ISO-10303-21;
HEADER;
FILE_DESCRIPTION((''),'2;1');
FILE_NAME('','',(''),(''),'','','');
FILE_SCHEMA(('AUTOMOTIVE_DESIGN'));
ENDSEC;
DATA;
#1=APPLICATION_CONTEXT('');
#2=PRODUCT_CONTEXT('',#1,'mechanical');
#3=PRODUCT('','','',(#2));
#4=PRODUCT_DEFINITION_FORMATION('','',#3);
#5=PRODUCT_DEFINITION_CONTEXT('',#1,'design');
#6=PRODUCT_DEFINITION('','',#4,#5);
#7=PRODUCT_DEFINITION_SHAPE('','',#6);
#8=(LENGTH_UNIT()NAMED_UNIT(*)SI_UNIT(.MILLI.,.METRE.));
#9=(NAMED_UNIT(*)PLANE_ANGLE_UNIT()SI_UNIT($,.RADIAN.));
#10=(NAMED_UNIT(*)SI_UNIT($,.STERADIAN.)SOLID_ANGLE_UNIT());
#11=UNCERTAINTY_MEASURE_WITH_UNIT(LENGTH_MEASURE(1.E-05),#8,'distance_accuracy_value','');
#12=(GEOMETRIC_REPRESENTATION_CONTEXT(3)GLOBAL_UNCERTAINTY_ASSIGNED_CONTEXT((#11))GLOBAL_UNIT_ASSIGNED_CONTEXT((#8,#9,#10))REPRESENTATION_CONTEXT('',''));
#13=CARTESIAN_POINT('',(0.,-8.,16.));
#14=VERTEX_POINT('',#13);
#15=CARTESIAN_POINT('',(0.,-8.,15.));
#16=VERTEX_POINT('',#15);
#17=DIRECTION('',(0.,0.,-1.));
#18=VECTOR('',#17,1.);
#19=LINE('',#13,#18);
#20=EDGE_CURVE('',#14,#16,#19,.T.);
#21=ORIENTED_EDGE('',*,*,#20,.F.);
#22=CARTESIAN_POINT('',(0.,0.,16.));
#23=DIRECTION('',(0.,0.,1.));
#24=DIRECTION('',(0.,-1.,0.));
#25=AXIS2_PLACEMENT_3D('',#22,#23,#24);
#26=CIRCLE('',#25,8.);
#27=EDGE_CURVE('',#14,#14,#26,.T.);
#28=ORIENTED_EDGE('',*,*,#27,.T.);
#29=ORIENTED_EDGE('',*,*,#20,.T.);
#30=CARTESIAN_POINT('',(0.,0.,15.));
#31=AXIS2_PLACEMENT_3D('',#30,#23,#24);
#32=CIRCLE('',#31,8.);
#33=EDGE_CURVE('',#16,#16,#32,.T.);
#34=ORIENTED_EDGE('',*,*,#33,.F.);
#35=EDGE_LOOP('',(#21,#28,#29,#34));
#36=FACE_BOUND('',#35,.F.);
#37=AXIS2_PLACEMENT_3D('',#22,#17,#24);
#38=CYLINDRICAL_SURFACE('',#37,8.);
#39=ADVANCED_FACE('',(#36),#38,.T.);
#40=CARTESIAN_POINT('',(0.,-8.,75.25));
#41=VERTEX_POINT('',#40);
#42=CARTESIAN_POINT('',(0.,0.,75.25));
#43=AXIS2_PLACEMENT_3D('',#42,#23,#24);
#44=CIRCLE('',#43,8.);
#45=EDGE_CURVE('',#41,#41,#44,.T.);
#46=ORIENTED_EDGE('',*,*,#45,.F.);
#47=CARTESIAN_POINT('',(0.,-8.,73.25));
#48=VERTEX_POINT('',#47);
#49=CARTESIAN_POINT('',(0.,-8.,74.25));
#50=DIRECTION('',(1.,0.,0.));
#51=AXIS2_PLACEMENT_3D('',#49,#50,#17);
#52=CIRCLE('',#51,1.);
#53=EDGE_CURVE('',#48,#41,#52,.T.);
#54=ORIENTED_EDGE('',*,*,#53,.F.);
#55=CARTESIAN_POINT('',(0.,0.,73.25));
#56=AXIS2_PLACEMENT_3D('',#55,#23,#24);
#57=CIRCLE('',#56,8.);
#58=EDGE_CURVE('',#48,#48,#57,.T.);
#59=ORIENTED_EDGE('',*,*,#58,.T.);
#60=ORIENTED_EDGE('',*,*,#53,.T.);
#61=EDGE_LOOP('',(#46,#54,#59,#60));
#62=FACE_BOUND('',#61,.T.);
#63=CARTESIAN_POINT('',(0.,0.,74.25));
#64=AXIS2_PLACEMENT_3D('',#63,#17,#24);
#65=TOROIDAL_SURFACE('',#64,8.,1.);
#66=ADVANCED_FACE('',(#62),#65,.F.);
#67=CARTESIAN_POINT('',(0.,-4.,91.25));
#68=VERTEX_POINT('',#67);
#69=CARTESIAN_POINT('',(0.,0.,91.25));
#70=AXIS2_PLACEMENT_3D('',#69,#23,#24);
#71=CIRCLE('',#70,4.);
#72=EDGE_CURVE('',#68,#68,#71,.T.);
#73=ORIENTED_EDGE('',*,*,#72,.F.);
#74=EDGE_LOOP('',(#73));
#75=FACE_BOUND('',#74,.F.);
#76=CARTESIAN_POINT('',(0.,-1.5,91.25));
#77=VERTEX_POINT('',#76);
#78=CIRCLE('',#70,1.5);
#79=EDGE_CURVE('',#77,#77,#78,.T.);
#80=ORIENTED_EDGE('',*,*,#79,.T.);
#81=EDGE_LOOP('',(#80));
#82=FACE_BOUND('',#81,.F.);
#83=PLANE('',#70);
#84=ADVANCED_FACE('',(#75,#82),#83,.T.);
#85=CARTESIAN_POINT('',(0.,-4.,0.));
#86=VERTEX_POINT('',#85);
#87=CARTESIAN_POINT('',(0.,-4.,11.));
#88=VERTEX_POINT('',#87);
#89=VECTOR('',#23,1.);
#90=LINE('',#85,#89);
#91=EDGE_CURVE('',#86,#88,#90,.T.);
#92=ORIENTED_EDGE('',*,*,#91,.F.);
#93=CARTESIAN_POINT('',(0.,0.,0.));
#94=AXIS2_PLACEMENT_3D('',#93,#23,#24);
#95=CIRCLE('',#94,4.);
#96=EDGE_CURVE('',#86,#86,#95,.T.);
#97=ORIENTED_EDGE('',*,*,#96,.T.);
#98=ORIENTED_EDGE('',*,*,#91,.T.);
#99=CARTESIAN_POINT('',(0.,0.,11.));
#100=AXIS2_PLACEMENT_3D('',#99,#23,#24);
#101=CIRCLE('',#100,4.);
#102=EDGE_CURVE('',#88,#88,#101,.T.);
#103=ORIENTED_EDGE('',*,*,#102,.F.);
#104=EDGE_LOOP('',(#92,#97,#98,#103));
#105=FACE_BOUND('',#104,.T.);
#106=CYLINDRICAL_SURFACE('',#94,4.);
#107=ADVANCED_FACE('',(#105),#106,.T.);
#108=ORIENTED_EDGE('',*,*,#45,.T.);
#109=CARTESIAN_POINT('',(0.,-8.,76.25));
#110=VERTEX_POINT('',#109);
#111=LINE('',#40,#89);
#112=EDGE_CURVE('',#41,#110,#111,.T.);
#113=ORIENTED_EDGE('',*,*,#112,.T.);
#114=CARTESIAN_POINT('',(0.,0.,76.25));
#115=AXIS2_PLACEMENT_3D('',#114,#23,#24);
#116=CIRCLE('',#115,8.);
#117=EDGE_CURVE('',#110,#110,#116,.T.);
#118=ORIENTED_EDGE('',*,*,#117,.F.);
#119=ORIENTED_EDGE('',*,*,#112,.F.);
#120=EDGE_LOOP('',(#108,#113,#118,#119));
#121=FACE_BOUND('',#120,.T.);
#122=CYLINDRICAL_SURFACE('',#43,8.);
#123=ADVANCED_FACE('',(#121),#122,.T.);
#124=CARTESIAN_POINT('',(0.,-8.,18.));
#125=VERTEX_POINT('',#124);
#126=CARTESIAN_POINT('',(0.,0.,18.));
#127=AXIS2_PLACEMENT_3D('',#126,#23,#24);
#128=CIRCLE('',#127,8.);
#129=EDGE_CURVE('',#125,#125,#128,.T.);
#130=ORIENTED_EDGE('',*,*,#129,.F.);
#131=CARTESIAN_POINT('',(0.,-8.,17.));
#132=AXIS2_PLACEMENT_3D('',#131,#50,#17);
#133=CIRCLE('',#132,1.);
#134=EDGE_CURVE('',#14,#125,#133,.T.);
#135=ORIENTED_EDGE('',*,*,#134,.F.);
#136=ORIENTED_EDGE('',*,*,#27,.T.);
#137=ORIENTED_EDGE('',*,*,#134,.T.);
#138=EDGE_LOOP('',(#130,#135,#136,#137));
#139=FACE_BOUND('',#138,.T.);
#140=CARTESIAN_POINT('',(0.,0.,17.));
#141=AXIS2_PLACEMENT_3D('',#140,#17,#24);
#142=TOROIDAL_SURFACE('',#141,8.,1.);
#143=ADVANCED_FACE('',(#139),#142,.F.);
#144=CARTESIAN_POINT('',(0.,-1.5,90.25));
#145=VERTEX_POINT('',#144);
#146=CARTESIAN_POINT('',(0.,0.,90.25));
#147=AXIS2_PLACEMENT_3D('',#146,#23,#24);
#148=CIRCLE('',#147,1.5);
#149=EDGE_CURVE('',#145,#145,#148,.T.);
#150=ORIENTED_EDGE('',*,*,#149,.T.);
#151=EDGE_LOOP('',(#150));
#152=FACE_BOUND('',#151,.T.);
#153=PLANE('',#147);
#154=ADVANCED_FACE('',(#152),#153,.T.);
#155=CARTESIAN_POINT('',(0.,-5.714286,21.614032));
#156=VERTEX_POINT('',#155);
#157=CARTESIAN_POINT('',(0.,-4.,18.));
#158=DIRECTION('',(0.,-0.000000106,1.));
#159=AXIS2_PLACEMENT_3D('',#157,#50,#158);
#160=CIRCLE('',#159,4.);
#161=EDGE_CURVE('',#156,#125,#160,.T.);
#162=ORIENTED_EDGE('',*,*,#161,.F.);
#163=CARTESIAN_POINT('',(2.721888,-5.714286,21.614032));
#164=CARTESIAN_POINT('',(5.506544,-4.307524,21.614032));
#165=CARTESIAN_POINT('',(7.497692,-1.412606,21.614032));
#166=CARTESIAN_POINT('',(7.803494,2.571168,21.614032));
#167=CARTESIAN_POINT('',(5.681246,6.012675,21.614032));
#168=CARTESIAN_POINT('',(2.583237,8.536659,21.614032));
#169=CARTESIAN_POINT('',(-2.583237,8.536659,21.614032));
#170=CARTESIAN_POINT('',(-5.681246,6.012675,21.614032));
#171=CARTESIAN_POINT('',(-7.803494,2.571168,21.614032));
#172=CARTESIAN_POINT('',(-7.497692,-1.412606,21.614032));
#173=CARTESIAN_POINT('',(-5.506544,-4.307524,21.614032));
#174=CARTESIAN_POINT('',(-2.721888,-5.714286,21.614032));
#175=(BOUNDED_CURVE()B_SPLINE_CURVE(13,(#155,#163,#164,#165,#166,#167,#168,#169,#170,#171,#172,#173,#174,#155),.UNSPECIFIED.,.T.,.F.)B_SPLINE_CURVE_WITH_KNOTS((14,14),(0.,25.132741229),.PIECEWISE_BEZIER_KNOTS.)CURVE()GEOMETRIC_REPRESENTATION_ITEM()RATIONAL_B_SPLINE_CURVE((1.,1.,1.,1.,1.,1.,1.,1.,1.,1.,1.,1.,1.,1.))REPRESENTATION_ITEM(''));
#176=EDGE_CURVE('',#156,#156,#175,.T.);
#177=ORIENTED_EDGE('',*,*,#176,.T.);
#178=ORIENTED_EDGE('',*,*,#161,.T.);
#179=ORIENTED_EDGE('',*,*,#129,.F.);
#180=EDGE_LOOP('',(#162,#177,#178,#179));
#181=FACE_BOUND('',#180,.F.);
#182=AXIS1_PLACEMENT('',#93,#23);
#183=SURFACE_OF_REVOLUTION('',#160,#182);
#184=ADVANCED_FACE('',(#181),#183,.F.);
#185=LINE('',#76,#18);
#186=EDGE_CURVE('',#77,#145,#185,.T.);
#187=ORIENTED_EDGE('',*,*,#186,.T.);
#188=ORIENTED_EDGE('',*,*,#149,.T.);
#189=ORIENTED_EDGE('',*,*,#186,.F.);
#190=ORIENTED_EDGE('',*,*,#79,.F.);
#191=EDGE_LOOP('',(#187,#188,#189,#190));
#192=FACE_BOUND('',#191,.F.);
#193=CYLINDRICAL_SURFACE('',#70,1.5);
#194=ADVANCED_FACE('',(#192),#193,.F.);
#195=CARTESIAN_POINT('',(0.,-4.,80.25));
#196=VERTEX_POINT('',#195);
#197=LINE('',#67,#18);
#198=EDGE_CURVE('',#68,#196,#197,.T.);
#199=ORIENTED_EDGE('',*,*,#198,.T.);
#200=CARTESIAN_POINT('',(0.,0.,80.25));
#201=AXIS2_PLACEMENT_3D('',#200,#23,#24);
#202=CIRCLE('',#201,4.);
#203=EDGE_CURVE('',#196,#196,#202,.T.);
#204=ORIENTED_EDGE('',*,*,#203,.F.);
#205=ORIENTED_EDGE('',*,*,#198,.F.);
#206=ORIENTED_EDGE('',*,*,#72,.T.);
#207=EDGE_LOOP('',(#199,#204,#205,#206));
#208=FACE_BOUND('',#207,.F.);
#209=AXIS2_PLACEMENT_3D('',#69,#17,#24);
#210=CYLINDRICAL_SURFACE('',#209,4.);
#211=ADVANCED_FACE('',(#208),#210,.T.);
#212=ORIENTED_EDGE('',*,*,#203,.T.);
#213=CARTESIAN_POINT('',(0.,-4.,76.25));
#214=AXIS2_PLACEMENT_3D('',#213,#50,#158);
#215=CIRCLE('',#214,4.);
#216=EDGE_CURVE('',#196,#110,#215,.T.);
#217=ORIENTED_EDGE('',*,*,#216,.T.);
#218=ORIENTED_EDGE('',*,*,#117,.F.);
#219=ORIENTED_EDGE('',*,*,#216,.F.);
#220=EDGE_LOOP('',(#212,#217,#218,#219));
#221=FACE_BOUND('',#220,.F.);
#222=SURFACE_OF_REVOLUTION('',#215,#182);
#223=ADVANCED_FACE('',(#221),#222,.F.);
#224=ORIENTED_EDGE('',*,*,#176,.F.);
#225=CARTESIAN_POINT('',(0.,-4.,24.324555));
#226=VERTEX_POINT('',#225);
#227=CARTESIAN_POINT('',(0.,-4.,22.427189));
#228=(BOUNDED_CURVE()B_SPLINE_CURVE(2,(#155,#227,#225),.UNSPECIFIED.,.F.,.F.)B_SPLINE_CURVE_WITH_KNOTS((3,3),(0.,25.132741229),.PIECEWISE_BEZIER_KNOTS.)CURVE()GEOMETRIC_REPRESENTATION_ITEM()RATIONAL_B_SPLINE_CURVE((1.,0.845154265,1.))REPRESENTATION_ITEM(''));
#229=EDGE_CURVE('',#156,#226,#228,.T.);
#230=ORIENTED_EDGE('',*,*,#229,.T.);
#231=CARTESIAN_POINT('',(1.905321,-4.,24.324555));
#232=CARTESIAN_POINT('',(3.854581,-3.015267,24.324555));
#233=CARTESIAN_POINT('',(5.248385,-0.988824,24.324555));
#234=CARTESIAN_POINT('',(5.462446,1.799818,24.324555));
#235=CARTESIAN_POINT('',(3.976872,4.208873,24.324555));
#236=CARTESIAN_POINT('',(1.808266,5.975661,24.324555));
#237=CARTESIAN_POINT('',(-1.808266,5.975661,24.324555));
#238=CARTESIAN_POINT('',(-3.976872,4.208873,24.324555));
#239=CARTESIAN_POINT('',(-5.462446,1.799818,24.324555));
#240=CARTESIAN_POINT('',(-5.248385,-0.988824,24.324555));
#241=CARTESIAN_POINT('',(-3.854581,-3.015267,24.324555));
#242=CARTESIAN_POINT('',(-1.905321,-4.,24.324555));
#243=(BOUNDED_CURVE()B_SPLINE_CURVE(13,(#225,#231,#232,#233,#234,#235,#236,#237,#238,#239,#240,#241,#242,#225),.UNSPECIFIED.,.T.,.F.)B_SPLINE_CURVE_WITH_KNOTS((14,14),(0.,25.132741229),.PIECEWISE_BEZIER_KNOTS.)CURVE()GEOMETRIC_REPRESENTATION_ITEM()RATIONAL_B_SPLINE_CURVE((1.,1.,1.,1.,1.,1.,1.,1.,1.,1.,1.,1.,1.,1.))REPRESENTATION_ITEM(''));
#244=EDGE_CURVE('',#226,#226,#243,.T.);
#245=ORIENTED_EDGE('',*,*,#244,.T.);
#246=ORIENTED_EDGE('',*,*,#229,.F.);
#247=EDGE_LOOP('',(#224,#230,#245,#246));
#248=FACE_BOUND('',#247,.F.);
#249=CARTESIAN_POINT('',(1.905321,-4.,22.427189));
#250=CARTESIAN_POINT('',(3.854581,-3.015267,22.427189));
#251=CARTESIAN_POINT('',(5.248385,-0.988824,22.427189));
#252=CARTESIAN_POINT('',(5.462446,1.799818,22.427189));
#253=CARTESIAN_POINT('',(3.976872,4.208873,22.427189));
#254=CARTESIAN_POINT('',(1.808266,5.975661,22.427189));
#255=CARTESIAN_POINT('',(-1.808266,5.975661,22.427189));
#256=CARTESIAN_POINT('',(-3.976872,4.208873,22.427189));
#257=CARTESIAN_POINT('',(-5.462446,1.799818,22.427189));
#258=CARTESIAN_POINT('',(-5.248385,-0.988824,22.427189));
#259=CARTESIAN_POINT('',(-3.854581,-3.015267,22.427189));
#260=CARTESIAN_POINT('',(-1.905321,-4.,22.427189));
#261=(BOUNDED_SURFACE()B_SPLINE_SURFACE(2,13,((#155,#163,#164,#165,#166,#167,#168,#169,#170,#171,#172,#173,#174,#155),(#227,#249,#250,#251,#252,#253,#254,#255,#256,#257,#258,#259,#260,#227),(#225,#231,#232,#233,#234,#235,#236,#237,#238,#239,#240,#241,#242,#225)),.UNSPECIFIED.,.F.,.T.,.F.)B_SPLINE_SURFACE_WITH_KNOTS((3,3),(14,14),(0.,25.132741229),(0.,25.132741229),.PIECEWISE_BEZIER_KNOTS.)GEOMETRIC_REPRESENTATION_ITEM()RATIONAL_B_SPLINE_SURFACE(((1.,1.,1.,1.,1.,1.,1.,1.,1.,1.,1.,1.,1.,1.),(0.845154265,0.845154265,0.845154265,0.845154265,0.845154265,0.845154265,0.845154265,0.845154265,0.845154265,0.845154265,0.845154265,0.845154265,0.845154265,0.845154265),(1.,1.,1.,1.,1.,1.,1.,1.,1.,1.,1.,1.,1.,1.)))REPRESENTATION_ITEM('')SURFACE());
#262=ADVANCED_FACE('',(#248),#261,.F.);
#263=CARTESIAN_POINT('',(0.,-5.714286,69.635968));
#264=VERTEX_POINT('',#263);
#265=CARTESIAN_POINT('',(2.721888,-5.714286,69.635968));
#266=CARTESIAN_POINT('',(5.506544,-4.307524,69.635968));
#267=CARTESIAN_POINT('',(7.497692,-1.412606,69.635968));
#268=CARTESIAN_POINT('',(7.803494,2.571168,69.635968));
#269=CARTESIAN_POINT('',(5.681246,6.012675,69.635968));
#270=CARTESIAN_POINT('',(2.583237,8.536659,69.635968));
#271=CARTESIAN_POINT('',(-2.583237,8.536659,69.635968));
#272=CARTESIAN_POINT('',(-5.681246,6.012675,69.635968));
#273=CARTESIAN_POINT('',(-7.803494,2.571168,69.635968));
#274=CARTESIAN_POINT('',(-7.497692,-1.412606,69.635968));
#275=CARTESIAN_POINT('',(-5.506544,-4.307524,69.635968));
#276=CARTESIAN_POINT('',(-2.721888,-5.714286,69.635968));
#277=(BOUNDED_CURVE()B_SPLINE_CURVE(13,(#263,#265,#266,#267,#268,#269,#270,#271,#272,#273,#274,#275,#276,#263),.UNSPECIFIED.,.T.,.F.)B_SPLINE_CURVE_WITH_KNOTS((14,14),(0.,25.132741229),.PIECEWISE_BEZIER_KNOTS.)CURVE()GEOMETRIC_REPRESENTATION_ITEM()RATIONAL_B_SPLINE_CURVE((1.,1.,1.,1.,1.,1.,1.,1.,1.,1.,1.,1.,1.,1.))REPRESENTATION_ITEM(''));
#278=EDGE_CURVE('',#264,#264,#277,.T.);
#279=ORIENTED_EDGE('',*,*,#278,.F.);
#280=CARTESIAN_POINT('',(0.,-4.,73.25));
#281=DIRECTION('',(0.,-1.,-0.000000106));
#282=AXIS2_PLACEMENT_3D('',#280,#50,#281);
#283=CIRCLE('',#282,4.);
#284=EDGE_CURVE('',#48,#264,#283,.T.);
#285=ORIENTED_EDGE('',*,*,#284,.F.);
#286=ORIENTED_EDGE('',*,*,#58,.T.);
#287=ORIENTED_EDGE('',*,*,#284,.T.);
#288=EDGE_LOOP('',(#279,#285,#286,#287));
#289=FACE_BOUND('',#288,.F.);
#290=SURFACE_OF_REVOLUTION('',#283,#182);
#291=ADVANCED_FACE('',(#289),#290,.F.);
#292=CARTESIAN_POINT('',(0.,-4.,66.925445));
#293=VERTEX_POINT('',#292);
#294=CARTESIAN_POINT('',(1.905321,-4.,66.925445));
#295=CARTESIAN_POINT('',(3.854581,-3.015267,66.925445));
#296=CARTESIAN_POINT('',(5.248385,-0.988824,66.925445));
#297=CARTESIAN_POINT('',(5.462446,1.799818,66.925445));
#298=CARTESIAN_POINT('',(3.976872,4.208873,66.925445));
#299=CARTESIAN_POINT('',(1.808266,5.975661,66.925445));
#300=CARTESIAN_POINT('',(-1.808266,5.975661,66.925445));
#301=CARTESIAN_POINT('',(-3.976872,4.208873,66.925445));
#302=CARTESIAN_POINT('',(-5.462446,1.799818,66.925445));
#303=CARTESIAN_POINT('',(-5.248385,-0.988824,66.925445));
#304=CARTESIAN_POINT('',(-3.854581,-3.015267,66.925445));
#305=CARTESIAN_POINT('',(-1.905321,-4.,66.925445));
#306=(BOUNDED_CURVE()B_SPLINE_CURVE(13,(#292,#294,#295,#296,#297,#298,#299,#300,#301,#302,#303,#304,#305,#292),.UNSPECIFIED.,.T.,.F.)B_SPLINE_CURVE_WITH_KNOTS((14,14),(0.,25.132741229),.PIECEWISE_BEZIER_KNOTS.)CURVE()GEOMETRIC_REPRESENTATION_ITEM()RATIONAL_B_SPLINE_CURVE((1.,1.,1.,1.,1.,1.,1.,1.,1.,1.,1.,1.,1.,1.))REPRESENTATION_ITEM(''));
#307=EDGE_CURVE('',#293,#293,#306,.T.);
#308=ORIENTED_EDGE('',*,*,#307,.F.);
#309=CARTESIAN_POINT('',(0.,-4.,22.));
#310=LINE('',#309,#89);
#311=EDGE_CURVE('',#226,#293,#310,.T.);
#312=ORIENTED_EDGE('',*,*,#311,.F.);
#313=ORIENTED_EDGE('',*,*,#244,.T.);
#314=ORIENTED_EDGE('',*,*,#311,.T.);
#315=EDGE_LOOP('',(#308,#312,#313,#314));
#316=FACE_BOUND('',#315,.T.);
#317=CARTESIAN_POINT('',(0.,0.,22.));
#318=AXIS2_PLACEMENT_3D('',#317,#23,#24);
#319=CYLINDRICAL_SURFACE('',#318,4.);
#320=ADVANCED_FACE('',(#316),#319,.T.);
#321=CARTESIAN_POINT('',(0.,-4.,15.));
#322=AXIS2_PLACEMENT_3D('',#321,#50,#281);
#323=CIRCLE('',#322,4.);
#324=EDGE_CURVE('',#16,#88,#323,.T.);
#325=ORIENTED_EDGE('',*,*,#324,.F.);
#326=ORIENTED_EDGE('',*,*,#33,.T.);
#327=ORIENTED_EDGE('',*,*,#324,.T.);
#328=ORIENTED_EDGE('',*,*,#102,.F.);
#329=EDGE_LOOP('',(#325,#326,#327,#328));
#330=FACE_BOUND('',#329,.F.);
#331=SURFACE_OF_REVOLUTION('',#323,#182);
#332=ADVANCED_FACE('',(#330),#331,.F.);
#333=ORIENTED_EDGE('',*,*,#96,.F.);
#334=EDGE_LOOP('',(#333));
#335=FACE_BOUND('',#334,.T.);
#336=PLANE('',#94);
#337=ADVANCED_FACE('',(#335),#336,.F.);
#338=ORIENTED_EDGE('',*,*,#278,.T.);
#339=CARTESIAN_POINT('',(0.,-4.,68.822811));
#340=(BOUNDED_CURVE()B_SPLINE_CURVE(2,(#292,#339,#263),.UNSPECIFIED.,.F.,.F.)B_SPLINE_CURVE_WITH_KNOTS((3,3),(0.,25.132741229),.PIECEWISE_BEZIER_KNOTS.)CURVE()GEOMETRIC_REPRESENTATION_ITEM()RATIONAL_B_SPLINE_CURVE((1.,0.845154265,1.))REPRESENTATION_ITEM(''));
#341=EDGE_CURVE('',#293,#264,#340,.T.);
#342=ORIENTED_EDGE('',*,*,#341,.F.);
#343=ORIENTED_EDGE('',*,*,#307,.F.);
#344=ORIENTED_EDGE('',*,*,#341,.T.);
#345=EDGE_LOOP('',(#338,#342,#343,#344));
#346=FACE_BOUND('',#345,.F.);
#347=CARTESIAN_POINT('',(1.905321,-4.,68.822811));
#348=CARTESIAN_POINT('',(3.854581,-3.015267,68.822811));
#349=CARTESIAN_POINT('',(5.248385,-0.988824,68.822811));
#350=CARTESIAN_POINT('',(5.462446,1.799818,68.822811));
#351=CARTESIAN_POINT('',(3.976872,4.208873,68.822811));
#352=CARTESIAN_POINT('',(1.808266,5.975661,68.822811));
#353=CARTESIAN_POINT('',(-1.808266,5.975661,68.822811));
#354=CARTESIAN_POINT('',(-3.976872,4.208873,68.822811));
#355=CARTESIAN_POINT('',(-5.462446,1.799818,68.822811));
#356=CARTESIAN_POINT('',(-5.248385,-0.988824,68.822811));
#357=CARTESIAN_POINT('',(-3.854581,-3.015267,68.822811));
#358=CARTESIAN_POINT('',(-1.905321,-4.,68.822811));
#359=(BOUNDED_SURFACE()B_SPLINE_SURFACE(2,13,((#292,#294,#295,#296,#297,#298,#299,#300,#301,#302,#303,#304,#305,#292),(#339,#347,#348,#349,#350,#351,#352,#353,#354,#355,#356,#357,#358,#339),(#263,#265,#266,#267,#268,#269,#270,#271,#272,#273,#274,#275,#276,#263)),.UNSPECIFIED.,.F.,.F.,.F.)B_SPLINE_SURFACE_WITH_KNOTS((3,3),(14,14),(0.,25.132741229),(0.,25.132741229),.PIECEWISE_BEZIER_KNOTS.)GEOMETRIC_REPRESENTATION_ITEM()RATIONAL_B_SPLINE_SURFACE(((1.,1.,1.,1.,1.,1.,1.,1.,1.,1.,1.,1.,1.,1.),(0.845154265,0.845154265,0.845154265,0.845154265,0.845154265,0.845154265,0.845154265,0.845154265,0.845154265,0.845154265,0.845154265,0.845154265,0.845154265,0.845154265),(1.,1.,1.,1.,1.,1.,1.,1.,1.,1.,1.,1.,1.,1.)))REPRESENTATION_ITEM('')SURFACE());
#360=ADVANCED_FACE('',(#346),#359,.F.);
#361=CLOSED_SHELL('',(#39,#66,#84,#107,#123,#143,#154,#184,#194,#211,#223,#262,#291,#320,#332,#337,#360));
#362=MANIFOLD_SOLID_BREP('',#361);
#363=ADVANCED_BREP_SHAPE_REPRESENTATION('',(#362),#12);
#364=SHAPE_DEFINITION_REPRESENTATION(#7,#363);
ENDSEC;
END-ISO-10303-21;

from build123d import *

# Parameters (mm, degrees)
FILLET_R     = 3
SKETCH001_R  = 1.5
POCKET_DEPTH = 1


with BuildPart() as part:
    # Sketch → Revolution (revolve)
    with BuildSketch(Plane.YZ):
        with BuildLine():
            Line((0, 0), (-4, 0))
            Line((-4, 0), (-4, 11))
            ThreePointArc((-8, 15), (-6.828427, 12.171573), (-4, 11))
            Line((-8, 16), (-8, 15))
            ThreePointArc((-8, 16), (-7, 17), (-8, 18))
            ThreePointArc((-4, 22), (-6.828427, 20.828427), (-8, 18))
            Line((-4, 22), (-4, 69.25))
            ThreePointArc((-8, 73.25), (-6.828427, 70.421573), (-4, 69.25))
            ThreePointArc((-8, 73.25), (-7, 74.25), (-8, 75.25))
            Line((-8, 75.25), (-8, 76.25))
            ThreePointArc((-4, 80.25), (-6.828427, 79.078427), (-8, 76.25))
            Line((-4, 91.25), (-4, 80.25))
            Line((0, 91.25), (-4, 91.25))
            Line((0, 0), (0, 91.25))
        make_face()
    revolve(axis=Axis((0, 0, 0), (0, 0, 1)))

    # Fillet
    fillet_edges = [part.edges().sort_by_distance(p)[0] for p in [
        (0, 4, 22),
        (0, 4, 69.25),
        (0, -4, 45.625),
    ]]
    fillet(fillet_edges, radius=FILLET_R)

    # Sketch001 (on Face15 of Fillet) → Pocket (cut)
    with BuildSketch(Plane(origin=(0, 0, 91.25), x_dir=(0, -1, 0), z_dir=(0, 0, 1))):
        Circle(SKETCH001_R)
    extrude(amount=-POCKET_DEPTH, mode=Mode.SUBTRACT)


solid = part.part
